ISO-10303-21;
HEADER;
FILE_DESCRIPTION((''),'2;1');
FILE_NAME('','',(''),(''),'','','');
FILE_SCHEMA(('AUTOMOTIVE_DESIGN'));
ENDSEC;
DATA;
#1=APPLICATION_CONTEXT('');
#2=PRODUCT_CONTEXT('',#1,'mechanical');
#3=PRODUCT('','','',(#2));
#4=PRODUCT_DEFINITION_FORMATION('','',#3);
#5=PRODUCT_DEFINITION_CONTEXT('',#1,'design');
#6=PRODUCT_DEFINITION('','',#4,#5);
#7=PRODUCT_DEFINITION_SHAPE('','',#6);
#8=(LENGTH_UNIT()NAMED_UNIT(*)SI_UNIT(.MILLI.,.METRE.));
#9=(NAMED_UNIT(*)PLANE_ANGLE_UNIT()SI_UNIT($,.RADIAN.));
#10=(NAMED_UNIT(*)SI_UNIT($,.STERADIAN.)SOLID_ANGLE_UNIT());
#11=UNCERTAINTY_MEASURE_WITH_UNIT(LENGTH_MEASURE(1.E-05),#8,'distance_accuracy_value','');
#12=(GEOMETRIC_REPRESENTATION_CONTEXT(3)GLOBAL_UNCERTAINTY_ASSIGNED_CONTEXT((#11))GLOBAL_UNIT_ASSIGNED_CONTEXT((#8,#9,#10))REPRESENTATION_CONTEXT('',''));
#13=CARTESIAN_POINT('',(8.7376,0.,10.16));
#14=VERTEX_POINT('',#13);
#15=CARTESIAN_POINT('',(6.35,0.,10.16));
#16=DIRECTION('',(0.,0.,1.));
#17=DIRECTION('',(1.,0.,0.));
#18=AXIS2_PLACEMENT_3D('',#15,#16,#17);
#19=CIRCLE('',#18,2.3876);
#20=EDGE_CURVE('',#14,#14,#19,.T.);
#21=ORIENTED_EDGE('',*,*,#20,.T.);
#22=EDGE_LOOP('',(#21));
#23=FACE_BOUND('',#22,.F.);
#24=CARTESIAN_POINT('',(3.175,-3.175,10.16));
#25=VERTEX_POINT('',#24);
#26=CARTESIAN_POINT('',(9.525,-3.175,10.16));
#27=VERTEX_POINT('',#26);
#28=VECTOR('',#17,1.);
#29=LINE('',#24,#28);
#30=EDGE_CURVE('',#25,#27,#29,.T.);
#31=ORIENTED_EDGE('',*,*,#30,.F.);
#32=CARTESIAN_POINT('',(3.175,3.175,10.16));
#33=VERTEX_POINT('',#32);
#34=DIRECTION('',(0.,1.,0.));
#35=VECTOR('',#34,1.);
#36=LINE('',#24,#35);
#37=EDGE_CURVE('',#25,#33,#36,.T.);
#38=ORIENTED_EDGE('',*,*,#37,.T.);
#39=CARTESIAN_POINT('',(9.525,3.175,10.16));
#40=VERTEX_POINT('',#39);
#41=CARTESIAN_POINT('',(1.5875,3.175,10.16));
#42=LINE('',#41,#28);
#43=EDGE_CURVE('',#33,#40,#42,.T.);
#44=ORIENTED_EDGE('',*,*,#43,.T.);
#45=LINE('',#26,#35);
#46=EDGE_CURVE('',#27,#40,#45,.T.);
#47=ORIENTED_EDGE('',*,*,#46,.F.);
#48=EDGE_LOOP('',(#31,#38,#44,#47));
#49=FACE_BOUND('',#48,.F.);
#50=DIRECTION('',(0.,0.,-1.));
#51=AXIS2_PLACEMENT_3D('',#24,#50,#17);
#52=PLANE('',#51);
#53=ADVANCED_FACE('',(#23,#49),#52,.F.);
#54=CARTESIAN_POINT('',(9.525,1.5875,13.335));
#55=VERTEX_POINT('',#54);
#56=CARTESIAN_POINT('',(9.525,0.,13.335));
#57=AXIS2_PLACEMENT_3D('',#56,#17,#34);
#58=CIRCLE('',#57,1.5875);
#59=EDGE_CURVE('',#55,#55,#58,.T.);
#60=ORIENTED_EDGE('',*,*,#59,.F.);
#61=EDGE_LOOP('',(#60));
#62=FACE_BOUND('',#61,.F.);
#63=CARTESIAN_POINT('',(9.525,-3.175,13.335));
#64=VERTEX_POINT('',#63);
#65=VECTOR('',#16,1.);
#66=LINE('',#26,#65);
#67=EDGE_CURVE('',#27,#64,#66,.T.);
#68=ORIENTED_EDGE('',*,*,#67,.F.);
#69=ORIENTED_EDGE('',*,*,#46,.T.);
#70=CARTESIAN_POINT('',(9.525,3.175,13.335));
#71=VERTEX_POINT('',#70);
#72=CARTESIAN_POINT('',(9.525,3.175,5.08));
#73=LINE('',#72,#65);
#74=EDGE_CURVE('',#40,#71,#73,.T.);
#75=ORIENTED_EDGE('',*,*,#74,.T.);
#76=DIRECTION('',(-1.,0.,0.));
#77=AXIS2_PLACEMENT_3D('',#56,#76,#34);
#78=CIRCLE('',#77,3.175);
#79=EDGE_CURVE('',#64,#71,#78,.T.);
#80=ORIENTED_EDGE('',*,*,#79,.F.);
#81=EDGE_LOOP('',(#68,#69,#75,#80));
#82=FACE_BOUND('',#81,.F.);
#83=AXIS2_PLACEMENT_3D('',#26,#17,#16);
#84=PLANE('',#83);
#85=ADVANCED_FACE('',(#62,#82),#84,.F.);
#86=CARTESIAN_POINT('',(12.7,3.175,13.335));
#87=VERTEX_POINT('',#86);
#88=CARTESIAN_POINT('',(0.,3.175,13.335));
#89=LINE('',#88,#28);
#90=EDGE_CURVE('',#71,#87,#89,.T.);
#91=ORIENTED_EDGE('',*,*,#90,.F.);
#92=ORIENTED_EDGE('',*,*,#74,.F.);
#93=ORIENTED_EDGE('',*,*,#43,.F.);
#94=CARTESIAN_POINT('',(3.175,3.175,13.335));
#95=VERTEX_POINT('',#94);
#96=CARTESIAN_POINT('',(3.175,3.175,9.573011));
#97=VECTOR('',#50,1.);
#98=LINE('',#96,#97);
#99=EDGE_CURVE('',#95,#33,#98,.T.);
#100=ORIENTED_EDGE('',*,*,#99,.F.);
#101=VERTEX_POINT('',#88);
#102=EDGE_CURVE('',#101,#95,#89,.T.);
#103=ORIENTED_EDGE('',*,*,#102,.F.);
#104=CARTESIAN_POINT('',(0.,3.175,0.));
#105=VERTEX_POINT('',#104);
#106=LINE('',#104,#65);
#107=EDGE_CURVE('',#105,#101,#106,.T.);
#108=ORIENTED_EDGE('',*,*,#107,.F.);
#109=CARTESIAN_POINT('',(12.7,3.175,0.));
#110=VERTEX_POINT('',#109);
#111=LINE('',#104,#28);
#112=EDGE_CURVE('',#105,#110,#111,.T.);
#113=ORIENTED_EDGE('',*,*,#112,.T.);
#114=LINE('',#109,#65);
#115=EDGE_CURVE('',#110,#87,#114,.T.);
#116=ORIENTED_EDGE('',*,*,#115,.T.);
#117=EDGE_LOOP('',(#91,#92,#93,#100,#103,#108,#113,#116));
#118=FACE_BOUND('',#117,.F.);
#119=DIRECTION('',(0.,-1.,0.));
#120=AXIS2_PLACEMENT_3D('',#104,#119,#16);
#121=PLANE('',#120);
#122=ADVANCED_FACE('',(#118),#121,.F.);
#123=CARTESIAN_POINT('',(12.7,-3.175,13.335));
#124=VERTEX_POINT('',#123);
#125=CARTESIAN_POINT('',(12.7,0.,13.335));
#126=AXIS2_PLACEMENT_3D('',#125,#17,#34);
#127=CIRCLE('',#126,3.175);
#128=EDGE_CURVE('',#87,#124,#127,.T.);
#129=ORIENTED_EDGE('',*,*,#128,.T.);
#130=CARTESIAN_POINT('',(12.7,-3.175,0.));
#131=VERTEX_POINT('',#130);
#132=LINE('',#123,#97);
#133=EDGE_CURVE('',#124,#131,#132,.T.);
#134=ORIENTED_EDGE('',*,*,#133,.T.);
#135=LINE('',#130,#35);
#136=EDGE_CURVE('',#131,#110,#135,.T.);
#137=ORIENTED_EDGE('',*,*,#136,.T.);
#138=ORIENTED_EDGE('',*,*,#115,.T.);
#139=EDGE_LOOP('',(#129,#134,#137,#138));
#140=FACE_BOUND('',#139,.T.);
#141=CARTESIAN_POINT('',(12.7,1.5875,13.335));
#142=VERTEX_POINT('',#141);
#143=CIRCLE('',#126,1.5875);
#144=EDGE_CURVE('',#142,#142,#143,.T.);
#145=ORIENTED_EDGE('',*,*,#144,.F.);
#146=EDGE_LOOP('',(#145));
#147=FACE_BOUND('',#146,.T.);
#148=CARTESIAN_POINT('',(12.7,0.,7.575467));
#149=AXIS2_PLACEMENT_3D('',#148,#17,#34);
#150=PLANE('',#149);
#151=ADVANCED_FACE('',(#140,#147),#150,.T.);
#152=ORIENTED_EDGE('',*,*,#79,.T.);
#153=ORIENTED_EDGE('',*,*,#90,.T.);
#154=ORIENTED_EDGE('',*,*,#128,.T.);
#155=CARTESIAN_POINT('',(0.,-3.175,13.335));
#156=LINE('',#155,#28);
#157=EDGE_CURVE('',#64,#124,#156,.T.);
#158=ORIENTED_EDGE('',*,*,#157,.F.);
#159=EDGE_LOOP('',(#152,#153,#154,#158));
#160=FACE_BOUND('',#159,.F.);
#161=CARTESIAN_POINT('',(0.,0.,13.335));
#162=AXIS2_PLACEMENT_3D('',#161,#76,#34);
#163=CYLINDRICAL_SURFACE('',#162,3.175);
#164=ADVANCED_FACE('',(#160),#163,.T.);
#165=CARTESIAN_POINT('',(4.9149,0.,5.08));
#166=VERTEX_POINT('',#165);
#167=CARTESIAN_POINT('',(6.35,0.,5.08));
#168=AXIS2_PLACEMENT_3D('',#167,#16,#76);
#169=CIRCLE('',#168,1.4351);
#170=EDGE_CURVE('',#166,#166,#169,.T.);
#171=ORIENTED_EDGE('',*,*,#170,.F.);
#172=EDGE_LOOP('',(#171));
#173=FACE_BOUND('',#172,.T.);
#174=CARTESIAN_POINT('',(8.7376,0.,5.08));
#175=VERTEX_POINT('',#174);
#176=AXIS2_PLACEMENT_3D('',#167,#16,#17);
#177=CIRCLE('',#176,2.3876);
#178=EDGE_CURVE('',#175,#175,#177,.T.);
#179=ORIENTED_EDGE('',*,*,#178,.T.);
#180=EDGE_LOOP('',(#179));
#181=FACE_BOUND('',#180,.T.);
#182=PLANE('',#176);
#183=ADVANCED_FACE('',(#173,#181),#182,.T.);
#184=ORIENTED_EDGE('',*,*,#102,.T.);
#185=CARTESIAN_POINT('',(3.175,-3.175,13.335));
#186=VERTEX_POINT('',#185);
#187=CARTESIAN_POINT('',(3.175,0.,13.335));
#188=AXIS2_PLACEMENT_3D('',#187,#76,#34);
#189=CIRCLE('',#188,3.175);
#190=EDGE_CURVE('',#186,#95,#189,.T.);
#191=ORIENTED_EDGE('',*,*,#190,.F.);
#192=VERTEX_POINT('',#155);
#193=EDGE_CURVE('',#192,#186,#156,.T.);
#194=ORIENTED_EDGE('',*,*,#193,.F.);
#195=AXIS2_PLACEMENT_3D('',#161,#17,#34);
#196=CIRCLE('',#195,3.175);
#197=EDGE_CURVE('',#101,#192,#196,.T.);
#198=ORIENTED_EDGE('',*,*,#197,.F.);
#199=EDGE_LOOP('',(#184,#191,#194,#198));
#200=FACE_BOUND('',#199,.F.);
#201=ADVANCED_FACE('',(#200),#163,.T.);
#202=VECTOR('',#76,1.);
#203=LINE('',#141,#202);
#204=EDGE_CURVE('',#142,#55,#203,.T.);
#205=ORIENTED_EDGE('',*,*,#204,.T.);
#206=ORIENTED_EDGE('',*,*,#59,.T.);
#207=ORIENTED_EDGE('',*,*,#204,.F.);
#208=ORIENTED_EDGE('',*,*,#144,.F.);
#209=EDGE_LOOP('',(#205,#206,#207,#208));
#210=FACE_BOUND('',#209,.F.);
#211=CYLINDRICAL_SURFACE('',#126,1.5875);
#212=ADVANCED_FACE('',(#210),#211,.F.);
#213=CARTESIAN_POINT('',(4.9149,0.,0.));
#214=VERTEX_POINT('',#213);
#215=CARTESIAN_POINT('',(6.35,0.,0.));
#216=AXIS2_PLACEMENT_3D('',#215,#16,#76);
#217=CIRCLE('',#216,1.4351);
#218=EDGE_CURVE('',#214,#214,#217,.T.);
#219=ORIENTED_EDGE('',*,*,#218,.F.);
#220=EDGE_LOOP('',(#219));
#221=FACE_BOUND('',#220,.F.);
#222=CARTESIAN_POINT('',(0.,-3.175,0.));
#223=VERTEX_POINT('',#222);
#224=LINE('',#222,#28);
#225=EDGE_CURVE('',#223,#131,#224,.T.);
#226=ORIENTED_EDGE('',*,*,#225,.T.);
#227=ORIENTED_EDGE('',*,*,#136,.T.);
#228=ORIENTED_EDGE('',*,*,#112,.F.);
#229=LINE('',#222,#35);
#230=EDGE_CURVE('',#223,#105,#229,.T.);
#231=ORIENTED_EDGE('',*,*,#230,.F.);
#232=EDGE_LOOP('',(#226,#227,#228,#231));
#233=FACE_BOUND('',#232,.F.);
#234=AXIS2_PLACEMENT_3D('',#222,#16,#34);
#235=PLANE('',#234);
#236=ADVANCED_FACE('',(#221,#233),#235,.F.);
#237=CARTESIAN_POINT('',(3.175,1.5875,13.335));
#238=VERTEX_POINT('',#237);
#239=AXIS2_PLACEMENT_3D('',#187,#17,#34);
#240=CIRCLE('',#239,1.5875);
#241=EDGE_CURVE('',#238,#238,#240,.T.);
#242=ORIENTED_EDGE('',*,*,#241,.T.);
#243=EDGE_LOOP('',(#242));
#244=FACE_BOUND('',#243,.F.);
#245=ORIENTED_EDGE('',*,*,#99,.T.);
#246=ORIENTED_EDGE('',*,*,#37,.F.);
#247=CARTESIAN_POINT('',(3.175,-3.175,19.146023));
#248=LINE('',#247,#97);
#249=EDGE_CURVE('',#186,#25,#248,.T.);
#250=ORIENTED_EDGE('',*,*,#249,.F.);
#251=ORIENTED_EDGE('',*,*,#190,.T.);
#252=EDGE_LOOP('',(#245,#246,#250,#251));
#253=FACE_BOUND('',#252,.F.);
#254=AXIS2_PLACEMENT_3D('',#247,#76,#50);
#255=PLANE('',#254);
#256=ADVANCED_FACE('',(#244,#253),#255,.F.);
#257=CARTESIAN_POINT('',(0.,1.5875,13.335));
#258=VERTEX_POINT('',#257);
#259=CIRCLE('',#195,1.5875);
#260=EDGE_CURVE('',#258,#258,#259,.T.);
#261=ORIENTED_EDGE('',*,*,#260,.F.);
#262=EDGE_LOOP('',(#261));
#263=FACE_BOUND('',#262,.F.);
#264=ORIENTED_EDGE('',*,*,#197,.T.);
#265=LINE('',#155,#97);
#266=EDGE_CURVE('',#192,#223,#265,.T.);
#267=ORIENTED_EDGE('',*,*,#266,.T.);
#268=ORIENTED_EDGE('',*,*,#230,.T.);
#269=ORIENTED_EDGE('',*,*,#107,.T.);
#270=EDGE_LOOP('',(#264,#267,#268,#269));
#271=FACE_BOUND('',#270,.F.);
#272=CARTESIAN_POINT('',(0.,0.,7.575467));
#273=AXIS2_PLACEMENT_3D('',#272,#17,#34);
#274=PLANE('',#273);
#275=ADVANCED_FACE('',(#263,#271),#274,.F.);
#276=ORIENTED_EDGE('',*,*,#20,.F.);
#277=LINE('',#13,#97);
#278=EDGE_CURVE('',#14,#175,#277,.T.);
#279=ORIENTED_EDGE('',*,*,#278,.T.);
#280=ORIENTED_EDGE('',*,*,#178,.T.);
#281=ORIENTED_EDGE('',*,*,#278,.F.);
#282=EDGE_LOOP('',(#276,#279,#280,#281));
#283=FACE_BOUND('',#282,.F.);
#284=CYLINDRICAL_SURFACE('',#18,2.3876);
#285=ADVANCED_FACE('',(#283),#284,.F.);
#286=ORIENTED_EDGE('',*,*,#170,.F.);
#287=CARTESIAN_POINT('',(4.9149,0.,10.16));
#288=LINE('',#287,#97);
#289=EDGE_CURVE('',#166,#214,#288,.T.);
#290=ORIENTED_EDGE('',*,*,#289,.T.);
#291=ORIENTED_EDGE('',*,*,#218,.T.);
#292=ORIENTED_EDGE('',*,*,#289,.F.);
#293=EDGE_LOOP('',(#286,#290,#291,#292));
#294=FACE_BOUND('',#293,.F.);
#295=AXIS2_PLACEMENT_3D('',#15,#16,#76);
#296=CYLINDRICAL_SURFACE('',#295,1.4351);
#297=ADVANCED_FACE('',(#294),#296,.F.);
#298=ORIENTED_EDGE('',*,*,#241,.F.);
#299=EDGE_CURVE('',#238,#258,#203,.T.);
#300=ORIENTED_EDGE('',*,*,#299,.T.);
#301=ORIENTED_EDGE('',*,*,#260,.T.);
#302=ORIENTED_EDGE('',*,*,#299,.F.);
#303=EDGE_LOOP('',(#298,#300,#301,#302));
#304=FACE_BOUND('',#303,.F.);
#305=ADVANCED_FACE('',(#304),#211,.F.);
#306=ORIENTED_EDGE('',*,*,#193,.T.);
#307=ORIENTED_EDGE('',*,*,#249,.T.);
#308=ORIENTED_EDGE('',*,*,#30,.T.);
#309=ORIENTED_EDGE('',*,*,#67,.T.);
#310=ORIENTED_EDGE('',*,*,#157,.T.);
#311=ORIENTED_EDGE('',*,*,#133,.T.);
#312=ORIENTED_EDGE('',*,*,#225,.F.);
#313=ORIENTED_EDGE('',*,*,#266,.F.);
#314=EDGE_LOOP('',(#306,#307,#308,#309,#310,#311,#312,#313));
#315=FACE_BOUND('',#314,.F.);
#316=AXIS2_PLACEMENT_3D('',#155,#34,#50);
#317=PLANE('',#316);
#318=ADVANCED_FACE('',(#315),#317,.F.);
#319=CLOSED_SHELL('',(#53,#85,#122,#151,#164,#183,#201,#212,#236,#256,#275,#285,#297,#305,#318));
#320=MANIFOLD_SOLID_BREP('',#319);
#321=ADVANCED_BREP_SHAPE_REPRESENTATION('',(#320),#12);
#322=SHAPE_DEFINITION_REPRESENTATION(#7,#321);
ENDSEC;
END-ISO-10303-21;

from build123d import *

# Parameters (mm, degrees)
F1_DEPTH = 12.7
F2_R     = 1.5875
F3_DEPTH = 25.4
F5_DEPTH = 25.4
F7_DEPTH = 25.4
F8_R     = 2.3876
F9_DEPTH = 5.08


with BuildPart() as f1:
    # F0 (on Right) → F1 (new body)
    with BuildSketch(Plane.YZ):
        with BuildLine():
            Line((-3.175, 0), (0, 0))
            Line((0, 0), (3.175, 0))
            Line((3.175, 0), (3.175, 13.335))
            ThreePointArc((3.175, 13.335), (0, 16.51), (-3.175, 13.335))
            Line((-3.175, 13.335), (-3.175, 0))
        make_face()
    extrude(amount=F1_DEPTH)

    # F2 (on face) → F3 (cut)
    with BuildSketch(Plane.YZ.offset(12.7)):
        with Locations((0, 13.335)):
            Circle(F2_R)
    extrude(amount=-F3_DEPTH, mode=Mode.SUBTRACT)

    # F4 (on face) → F5 (cut)
    with BuildSketch(Plane.XZ.offset(3.175)):
        Polygon((3.175, 10.16), (6.35, 10.16), (9.525, 10.16), (9.525, 19.146023), (3.175, 19.146023), align=None)
    extrude(amount=-F5_DEPTH, mode=Mode.SUBTRACT)

    # F6 (on face) → F7 (cut)
    with BuildSketch(Plane.XY.offset(10.16)):
        with BuildLine():
            ThreePointArc((7.7851, 0), (6.35, 1.4351), (4.9149, 0))
            Line((4.9149, 0), (7.7851, 0))
        make_face()
        with BuildLine():
            Line((7.7851, 0), (4.9149, 0))
            ThreePointArc((4.9149, 0), (6.35, -1.4351), (7.7851, 0))
        make_face()
    extrude(amount=-F7_DEPTH, mode=Mode.SUBTRACT)

    # F8 (on face) → F9 (cut)
    with BuildSketch(Plane.XY.offset(10.16)):
        with Locations((6.35, 0)):
            Circle(F8_R)
    extrude(amount=-F9_DEPTH, mode=Mode.SUBTRACT)


solid = f1.part
